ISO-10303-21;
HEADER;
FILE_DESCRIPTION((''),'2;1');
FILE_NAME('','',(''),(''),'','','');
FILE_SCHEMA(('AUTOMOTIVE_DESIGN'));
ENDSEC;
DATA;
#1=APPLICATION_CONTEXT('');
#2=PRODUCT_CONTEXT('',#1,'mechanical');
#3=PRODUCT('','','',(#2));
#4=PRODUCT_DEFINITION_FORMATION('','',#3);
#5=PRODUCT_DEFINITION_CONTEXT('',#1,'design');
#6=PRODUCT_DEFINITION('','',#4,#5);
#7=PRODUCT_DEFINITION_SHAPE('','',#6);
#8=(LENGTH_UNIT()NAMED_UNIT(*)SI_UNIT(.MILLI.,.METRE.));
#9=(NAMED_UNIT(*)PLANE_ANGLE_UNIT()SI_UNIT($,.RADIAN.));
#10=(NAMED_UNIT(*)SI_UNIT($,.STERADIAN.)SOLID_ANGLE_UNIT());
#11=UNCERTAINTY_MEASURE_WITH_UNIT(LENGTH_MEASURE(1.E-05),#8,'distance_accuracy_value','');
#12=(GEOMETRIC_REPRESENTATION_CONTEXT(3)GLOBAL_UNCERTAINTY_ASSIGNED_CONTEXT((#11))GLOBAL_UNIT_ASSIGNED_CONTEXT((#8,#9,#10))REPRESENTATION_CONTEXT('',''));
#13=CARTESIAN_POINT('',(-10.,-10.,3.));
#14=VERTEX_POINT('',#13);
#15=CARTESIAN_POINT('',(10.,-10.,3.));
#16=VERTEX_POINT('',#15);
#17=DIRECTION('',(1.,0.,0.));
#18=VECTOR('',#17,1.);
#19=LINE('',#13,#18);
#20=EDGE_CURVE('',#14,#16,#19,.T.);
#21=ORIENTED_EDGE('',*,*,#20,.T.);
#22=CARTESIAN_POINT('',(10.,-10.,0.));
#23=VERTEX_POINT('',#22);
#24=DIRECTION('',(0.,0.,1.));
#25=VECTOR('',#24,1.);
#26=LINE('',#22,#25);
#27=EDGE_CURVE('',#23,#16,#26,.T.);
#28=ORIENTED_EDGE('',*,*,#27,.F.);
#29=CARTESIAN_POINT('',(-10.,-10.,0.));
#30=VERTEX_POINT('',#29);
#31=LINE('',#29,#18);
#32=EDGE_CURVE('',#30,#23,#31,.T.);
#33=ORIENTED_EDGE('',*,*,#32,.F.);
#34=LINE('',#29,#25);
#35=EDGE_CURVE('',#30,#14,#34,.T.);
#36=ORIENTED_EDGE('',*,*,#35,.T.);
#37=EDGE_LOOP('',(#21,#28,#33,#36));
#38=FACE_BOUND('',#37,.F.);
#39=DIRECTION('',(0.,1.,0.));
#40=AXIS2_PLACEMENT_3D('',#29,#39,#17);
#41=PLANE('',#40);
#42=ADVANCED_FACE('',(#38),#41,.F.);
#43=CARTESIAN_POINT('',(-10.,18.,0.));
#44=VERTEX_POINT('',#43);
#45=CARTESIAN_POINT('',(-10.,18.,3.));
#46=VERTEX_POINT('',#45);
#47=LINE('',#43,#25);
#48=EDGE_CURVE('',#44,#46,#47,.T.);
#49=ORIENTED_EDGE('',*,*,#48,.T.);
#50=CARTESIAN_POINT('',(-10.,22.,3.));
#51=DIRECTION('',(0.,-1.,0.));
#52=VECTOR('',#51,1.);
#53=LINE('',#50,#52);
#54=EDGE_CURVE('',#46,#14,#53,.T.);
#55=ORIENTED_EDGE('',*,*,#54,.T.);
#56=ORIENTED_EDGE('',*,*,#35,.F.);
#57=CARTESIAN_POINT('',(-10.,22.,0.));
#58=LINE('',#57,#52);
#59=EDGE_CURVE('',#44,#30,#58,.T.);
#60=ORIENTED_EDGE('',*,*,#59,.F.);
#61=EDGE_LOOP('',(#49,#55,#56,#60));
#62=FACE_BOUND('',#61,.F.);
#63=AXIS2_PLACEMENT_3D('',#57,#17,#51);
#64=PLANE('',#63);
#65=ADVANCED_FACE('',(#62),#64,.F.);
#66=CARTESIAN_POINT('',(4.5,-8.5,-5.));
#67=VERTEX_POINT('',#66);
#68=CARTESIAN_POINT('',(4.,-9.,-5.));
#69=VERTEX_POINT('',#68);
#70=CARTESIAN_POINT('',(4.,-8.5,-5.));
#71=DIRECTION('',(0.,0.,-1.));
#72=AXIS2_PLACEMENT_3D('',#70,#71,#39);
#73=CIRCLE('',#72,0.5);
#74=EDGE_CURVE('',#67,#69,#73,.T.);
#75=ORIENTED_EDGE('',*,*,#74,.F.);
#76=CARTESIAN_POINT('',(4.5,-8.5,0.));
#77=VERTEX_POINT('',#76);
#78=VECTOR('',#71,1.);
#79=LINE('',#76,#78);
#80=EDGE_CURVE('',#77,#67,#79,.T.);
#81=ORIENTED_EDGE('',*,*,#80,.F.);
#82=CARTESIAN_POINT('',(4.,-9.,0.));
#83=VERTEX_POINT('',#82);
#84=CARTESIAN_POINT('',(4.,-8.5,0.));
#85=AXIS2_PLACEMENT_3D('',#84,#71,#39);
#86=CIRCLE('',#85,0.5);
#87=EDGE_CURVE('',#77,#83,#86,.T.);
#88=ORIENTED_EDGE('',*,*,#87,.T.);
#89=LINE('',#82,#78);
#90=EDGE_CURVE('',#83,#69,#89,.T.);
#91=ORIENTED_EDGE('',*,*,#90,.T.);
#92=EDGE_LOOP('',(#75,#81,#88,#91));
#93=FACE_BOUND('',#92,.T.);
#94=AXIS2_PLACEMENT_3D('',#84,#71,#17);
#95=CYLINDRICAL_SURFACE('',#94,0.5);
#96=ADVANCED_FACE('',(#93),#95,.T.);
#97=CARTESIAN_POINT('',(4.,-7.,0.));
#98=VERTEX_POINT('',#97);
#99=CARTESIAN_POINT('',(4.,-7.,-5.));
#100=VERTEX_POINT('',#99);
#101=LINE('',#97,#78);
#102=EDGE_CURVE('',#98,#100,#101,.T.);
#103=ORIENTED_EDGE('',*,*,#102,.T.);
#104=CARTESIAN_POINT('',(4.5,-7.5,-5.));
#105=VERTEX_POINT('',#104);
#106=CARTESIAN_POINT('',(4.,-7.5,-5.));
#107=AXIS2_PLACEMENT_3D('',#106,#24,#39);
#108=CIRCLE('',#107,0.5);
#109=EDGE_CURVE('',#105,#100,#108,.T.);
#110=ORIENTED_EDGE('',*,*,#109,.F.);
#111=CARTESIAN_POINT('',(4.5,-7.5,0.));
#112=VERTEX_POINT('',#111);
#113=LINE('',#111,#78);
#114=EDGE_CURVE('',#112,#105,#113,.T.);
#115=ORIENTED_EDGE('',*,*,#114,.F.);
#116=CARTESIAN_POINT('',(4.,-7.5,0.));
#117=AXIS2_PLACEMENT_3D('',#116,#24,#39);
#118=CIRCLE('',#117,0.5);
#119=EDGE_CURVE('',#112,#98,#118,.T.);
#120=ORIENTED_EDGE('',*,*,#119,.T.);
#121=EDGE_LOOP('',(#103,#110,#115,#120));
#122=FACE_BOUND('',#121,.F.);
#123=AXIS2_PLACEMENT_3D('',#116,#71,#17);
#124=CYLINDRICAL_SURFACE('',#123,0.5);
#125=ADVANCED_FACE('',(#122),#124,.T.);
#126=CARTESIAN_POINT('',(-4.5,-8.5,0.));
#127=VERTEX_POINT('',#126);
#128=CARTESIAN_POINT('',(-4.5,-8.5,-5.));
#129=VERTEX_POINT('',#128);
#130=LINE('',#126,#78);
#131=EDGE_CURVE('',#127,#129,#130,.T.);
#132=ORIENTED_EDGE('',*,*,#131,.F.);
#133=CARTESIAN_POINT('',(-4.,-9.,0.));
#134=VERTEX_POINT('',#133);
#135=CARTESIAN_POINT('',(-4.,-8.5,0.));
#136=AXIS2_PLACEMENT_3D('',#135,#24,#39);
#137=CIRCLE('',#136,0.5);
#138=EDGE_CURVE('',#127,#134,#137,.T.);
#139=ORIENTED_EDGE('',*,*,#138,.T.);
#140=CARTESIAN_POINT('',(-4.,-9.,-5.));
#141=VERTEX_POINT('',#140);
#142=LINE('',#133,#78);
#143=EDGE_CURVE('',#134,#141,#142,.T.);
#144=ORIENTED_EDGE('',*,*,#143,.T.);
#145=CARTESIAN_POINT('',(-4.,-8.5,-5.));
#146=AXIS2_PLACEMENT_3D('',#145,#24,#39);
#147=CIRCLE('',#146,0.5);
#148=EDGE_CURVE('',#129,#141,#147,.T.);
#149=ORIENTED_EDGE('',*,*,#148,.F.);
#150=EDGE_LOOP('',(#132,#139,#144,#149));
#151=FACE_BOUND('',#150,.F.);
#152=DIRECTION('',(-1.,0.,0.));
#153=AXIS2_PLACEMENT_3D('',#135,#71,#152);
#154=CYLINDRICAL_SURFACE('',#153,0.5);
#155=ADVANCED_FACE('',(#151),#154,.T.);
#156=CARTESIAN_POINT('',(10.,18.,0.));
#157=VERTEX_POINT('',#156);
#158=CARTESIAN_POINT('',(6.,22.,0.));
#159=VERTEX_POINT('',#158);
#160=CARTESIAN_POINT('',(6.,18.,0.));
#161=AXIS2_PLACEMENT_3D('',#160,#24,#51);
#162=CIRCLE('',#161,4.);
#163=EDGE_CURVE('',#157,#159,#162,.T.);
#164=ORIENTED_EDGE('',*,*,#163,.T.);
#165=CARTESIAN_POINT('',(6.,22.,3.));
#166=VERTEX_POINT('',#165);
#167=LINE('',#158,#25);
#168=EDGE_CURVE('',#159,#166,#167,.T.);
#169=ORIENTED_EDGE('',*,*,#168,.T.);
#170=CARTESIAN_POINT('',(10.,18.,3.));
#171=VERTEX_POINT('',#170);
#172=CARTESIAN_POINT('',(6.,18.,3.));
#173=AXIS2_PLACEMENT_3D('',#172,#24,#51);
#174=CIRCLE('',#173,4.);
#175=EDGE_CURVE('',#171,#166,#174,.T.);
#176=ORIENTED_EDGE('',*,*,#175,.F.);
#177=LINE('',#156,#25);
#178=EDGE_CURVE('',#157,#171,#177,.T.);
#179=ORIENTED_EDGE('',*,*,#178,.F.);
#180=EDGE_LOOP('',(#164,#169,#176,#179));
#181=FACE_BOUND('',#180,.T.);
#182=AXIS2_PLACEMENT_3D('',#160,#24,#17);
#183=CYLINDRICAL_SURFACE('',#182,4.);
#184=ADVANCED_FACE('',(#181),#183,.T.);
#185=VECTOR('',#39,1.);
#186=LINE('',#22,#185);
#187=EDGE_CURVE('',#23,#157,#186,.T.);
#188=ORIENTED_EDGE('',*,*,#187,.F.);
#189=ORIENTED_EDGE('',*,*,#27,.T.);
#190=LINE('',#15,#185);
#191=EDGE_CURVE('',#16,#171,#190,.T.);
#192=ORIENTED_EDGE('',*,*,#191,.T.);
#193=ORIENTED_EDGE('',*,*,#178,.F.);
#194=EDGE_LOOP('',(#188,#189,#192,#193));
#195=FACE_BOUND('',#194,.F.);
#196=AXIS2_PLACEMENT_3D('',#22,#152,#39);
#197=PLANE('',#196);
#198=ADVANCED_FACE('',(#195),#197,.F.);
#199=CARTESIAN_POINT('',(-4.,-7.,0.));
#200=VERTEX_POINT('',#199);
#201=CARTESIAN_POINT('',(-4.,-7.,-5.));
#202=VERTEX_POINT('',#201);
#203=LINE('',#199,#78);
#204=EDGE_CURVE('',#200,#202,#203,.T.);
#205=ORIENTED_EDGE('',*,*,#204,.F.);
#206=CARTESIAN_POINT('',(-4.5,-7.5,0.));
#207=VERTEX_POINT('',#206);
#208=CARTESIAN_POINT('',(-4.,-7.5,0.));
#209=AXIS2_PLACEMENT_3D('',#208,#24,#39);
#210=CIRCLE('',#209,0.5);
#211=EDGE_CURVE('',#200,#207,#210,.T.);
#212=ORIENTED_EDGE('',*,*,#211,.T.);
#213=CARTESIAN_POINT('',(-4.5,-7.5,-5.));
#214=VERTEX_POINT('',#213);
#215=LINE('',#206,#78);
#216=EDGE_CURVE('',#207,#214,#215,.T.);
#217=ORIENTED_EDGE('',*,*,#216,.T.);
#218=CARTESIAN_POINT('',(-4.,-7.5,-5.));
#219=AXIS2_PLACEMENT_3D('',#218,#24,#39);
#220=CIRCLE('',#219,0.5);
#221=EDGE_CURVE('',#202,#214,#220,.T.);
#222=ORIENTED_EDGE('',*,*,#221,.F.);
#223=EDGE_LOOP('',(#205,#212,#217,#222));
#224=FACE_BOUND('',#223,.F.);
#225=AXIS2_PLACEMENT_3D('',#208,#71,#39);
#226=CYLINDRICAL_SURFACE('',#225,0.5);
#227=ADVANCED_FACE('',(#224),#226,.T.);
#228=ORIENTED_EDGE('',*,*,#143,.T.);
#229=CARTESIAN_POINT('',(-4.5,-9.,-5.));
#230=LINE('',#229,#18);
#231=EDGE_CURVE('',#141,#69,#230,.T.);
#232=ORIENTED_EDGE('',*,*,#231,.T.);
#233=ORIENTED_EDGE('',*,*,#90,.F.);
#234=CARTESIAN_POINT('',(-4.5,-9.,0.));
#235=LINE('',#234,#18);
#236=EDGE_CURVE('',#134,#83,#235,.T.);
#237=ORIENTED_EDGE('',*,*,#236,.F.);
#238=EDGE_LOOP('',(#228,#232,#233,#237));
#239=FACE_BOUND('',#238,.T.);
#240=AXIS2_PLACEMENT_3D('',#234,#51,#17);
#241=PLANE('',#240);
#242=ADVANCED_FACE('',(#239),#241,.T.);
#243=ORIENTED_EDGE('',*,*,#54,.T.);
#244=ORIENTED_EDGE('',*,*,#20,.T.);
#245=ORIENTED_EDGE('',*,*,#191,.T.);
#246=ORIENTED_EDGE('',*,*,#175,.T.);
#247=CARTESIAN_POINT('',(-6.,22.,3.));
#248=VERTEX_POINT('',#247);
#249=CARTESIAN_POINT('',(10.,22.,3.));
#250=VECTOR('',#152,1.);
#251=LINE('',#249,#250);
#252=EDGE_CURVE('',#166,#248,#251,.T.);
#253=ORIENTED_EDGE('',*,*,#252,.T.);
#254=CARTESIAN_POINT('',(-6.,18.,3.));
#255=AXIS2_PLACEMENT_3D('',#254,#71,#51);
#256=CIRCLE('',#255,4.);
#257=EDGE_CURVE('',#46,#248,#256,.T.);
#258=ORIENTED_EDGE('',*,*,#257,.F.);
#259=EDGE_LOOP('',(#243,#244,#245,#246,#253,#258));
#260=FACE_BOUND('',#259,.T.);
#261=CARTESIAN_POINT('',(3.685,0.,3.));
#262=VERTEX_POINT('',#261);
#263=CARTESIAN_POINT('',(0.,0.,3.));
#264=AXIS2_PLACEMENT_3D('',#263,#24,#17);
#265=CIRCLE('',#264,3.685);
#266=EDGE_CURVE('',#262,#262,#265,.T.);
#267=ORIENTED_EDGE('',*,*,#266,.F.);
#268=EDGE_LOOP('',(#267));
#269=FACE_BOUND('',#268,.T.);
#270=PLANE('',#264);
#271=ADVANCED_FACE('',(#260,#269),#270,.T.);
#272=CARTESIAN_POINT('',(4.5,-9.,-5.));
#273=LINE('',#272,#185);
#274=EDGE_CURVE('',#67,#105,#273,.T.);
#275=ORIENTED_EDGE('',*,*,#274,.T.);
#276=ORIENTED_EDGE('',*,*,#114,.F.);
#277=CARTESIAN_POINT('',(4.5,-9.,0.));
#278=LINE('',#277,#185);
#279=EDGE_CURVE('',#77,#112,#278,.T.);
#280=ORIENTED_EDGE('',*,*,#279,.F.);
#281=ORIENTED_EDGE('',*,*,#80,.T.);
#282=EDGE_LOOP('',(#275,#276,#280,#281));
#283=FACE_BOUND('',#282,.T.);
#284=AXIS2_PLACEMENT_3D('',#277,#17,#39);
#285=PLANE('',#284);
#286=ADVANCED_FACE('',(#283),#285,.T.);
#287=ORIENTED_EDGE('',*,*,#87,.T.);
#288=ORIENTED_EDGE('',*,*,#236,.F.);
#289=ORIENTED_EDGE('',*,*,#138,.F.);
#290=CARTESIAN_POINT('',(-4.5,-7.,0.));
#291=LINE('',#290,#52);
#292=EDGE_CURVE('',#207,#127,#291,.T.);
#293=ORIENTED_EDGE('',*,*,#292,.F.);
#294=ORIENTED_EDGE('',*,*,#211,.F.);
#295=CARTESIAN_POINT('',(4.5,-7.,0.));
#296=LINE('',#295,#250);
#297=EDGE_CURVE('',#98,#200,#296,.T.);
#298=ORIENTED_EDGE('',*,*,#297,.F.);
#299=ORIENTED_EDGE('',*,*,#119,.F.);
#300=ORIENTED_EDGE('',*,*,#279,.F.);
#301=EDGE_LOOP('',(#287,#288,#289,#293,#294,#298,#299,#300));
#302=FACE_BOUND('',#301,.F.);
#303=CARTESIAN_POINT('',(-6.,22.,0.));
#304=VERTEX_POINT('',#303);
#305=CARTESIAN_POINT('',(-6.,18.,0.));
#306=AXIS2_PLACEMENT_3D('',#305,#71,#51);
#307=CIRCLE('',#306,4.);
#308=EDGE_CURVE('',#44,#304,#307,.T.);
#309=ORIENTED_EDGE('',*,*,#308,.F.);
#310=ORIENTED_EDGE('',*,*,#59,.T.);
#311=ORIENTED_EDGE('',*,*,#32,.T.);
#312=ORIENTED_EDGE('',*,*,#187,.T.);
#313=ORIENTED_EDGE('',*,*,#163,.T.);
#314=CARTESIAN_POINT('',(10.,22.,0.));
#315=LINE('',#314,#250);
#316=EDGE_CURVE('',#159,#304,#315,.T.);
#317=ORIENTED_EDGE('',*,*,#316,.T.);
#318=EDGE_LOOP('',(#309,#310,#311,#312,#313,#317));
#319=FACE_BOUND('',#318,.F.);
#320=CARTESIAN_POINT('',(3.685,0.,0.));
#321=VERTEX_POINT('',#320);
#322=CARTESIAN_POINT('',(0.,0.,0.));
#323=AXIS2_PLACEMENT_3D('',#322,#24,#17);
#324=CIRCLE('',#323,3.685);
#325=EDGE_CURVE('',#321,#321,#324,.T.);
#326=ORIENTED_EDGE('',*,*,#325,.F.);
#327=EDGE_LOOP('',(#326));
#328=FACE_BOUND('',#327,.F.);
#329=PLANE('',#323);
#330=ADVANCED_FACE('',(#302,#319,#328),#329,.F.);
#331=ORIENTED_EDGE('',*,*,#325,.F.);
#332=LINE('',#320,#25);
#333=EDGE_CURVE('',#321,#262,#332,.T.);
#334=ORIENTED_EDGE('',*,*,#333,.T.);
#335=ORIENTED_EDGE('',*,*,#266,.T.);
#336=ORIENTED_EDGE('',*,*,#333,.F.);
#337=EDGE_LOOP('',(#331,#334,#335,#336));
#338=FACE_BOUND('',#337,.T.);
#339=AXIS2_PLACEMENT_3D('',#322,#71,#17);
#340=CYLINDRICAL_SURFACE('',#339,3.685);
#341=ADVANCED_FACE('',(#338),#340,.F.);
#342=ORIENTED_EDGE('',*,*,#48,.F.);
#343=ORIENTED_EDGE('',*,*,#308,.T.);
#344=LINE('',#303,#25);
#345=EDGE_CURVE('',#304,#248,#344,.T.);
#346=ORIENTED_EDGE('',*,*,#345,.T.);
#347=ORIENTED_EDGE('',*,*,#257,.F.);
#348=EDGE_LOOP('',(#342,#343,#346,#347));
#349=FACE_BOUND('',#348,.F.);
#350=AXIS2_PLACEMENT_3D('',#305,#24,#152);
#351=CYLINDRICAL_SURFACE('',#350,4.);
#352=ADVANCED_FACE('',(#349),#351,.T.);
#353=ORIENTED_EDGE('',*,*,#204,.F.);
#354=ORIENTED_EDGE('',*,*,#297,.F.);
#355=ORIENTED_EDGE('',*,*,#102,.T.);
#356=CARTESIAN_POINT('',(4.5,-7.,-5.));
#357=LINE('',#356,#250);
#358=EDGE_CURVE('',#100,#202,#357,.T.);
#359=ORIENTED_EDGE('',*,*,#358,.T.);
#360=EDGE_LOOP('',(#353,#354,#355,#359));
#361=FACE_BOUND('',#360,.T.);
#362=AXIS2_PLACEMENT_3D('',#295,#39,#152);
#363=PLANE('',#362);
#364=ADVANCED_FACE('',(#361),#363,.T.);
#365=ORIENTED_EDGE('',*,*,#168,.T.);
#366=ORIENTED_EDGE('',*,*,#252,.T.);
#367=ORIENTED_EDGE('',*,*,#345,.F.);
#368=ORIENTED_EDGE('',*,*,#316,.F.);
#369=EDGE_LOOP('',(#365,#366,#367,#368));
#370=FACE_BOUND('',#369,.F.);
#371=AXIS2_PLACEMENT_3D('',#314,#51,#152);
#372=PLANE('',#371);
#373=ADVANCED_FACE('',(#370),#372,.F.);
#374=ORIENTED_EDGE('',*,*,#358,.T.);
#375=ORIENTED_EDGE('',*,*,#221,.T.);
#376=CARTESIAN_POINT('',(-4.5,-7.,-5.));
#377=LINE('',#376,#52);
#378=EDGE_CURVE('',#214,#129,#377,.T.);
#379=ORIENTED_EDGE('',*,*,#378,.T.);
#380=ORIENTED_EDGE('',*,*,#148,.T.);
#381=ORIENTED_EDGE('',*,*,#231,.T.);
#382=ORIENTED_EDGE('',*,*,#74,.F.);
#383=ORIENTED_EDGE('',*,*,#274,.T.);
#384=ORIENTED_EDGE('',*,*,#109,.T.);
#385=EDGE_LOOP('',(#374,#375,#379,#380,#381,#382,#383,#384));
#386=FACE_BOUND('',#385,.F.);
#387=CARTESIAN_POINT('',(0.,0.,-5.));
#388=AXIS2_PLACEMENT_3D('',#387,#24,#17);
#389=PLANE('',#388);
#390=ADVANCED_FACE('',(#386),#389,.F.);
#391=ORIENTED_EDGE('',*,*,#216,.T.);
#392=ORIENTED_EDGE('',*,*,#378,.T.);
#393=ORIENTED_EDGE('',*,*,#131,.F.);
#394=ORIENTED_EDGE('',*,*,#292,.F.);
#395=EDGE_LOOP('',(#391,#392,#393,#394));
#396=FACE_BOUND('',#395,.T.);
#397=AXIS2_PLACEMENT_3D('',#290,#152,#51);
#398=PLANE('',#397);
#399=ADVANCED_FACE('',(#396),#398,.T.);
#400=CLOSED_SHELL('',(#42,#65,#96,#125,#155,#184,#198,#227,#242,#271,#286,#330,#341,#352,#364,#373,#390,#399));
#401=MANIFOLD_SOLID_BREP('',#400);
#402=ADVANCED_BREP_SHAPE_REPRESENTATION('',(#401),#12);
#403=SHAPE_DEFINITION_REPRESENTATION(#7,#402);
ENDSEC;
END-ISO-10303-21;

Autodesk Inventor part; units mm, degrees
ref_plane "YZ Plane" through (0, 0, 0) normal (1, 0, 0) x (0, 1, 0)
ref_plane "XZ Plane" through (0, 0, 0) normal (0, 1, 0) x (-1, 0, 0)
ref_plane "XY Plane" through (0, 0, 0) normal (0, 0, 1) x (1, 0, 0)
sketch "Sketch1" plane through (0, 0, 0) normal (0, 0, 1) x (1, 0, 0)
  line L0 (-10, -10) -> (10, -10)
  line L1 (10, -10) -> (10, 22)
  line L2 (10, 22) -> (-10, 22)
  line L3 (-10, 22) -> (-10, -10)
  line L4 (6.3, -6.7) -> (-6.3, -6.7) construction
  line L5 (6.3, 6.7) -> (6.3, -6.7) construction
  line L6 (-6.3, 6.7) -> (6.3, 6.7) construction
  line L7 (-6.3, -6.7) -> (-6.3, 6.7) construction
  line L8 (6.45, -6.85) -> (-6.45, -6.85)
  line L9 (-6.45, -6.85) -> (-6.45, 6.85)
  line L10 (-6.45, 6.85) -> (6.45, 6.85)
  line L11 (6.45, 6.85) -> (6.45, -6.85)
  circle A0 centre (0, 0) radius 3.535 construction
  circle A1 centre (0, 0) radius 3.685
  line L12 (4.65, -9.15) -> (-4.65, -9.15) construction
  line L13 (-4.65, -9.15) -> (-4.65, -6.85) construction
  line L14 (-4.65, -6.85) -> (4.65, -6.85) construction
  line L15 (4.65, -6.85) -> (4.65, -9.15) construction
  line L16 (4.5, -7) -> (-4.5, -7)
  line L17 (-4.5, -7) -> (-4.5, -9)
  line L18 (-4.5, -9) -> (4.5, -9)
  line L19 (4.5, -9) -> (4.5, -7)
  point P0 (0, 22)
  point P1 (0, 6.85)
  point P2 (6.45, 0)
  point P3 (0, -6.85)
  point P4 (0, -7)
  point P5 (0, -9)
  point P6 (0, -9.15)
  point P7 (0, -10)
  dimension "d0" = 20
  dimension "d1" = 32
  dimension "d2" = 0.15
  dimension "d3" = 0.15
  dimension "d5" = 7.07
  dimension "d6" = 12.9
  dimension "d7" = 13.7
  dimension "d8" = 22
  dimension "d18" = 2
  dimension "d19" = 2.3
  dimension "d20" = 9
  dimension "d21" = 9.3
  dimension "d22" = 0.85
extrude "Extrusion1" add sketch "Sketch1" along normal blind 3 contours L3 L2 L1 L0 | L19 L18 L17 L16
extrude "Extrusion2" add sketch "Sketch1" along normal blind 3 contours L8 L9 L10 L11
fillet "Fillet1" radius 4 2 edges at (10, 22, 1.5) (-10, 22, 1.5)
extrude "Extrusion3" add sketch "Sketch1" against normal blind 5 contours L19 L18 L17 L16
fillet "Fillet2" radius 0.5 4 edges at (4.5, -7, -2.5) (4.5, -9, -2.5) (-4.5, -7, -2.5) (-4.5, -9, -2.5)
properties part number "Rotary Encoder Mount Mk2"
